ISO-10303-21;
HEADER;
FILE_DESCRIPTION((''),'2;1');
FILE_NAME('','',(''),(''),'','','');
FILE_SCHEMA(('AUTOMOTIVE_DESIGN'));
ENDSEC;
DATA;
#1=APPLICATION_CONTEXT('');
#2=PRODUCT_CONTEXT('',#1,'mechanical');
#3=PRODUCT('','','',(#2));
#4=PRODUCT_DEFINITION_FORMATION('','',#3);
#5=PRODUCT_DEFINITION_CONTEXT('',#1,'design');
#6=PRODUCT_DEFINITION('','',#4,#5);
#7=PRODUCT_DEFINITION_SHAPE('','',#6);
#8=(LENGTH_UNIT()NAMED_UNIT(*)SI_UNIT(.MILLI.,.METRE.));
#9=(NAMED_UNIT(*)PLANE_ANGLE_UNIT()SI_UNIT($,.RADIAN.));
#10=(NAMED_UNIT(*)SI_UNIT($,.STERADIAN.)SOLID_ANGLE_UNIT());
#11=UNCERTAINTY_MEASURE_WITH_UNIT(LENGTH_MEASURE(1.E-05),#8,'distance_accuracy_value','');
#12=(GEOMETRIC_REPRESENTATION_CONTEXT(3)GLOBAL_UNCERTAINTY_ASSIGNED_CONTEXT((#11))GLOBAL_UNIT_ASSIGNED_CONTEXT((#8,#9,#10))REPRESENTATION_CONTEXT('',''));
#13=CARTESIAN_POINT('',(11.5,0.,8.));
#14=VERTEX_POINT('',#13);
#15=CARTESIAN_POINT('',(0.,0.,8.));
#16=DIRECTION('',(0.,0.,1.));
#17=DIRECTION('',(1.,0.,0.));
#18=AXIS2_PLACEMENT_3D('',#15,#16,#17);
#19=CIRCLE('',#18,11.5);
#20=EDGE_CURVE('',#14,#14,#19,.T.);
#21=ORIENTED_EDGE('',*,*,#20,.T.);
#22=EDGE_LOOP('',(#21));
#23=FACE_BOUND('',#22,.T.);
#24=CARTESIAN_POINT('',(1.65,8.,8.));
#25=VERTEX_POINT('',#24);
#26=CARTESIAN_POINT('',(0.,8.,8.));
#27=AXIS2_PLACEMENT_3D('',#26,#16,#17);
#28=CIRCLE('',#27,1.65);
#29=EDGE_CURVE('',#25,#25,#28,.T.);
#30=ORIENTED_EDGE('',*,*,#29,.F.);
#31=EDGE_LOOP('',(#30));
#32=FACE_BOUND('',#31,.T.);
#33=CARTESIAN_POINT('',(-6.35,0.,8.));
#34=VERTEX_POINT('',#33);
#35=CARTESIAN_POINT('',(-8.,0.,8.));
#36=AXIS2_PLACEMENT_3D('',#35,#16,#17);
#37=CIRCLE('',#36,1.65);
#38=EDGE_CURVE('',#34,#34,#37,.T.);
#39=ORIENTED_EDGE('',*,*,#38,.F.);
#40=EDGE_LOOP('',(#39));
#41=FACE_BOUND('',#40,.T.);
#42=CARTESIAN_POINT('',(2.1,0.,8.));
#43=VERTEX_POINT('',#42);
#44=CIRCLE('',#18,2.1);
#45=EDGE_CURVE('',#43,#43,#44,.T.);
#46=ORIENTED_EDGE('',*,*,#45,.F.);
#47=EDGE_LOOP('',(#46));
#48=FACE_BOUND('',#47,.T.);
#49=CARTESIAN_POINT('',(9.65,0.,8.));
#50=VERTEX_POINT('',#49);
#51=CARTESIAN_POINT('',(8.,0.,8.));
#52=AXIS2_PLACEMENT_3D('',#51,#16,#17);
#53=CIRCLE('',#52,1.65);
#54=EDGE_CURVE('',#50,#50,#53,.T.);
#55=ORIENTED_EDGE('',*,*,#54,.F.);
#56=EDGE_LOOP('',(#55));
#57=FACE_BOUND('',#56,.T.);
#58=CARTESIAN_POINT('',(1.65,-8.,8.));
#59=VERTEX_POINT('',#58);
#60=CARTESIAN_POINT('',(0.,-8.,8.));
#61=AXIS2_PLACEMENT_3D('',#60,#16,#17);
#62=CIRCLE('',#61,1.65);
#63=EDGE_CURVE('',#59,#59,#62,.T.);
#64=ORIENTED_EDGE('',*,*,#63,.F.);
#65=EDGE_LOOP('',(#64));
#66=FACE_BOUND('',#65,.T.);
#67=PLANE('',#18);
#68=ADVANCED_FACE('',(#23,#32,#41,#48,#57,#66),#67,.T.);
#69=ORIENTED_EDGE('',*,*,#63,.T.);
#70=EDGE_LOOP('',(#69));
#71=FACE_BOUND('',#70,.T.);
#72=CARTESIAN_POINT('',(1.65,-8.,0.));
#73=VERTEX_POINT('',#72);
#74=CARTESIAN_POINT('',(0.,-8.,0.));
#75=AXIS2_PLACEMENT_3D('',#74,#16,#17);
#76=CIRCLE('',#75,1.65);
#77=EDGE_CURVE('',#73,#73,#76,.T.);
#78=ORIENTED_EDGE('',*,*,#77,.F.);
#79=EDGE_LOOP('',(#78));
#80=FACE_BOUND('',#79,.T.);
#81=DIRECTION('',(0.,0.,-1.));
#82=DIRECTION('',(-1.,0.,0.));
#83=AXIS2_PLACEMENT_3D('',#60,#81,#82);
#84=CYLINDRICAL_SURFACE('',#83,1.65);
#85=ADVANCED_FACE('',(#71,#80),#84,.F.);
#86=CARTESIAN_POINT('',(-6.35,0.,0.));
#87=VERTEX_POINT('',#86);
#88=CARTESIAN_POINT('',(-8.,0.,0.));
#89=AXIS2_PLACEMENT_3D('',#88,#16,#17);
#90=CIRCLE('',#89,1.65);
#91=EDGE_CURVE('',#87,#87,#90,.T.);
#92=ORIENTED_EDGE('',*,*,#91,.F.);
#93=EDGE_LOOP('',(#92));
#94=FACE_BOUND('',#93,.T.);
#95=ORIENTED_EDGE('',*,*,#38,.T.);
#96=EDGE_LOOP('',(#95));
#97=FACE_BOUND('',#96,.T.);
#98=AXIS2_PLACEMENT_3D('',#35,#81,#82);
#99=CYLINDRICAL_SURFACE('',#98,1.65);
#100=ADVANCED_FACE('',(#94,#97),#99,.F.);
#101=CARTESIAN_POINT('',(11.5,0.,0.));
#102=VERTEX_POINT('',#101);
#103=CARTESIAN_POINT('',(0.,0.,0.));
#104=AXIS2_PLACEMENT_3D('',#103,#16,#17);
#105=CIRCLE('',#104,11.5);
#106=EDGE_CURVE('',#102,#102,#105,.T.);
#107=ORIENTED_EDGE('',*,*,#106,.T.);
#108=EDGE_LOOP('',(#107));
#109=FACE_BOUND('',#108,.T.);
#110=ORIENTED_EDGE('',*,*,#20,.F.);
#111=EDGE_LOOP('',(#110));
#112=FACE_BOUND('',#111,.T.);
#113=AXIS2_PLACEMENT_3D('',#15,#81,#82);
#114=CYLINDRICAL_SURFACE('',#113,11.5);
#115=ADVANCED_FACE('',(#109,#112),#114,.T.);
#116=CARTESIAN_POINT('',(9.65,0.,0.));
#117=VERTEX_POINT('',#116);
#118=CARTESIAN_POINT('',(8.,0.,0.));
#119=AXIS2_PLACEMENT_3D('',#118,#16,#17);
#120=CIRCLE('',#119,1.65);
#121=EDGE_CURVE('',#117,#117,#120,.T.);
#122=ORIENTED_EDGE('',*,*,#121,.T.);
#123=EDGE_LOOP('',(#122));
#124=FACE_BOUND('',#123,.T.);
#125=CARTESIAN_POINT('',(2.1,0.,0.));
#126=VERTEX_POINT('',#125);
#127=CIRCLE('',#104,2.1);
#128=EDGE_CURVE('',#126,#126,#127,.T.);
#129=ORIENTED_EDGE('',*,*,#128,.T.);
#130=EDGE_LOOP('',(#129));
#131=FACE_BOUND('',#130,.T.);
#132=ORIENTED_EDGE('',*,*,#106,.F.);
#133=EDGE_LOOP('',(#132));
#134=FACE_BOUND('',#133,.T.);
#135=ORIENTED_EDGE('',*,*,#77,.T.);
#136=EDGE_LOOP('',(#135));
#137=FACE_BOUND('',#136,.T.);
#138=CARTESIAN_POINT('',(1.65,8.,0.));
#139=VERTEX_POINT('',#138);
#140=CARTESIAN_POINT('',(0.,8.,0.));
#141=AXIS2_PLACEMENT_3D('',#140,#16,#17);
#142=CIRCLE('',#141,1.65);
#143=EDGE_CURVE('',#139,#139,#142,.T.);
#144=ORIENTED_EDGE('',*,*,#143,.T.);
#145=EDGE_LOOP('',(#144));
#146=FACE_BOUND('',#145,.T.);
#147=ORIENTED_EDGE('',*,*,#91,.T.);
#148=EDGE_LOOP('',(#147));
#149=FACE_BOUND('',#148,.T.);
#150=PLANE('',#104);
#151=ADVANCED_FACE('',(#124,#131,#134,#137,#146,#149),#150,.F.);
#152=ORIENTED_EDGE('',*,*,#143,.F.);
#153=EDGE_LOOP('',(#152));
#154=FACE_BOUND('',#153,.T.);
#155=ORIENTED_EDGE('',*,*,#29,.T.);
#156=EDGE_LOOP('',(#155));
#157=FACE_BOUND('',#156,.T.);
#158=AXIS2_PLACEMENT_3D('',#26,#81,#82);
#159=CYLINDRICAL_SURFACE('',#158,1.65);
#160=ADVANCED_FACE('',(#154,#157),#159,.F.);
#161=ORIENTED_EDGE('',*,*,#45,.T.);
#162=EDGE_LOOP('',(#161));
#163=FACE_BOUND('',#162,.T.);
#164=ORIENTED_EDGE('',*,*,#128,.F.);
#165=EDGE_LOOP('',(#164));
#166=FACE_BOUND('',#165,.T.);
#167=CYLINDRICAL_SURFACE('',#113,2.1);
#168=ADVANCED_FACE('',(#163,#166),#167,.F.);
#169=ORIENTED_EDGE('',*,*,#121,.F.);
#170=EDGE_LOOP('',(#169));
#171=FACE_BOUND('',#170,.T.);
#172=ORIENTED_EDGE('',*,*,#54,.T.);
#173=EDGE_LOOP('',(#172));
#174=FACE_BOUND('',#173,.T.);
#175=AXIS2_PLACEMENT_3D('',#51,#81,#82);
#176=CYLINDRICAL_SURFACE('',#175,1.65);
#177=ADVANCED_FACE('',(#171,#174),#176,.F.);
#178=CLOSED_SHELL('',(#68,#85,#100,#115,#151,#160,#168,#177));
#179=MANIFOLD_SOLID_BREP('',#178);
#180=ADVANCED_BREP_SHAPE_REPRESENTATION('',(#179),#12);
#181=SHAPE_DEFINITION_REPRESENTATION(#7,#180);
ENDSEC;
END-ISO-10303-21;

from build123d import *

# Parameters (mm, degrees)
SKETCH_1_R      = 11.5
SKETCH_1_R_2    = 1.65
SKETCH_1_R_3    = 2.1
EXTRUDE_1_DEPTH = 8


with BuildPart() as part:
    # 草圖1 → 填料-伸長1 (new body)
    with BuildSketch(Plane.XY):
        Circle(SKETCH_1_R)
        with Locations((0, 8)):
            Circle(SKETCH_1_R_2, mode=Mode.SUBTRACT)
        with Locations((8, 0)):
            Circle(SKETCH_1_R_2, mode=Mode.SUBTRACT)
        with Locations((0, -8)):
            Circle(SKETCH_1_R_2, mode=Mode.SUBTRACT)
        with Locations((-8, 0)):
            Circle(SKETCH_1_R_2, mode=Mode.SUBTRACT)
        Circle(SKETCH_1_R_3, mode=Mode.SUBTRACT)
    extrude(amount=EXTRUDE_1_DEPTH)


solid = part.part
